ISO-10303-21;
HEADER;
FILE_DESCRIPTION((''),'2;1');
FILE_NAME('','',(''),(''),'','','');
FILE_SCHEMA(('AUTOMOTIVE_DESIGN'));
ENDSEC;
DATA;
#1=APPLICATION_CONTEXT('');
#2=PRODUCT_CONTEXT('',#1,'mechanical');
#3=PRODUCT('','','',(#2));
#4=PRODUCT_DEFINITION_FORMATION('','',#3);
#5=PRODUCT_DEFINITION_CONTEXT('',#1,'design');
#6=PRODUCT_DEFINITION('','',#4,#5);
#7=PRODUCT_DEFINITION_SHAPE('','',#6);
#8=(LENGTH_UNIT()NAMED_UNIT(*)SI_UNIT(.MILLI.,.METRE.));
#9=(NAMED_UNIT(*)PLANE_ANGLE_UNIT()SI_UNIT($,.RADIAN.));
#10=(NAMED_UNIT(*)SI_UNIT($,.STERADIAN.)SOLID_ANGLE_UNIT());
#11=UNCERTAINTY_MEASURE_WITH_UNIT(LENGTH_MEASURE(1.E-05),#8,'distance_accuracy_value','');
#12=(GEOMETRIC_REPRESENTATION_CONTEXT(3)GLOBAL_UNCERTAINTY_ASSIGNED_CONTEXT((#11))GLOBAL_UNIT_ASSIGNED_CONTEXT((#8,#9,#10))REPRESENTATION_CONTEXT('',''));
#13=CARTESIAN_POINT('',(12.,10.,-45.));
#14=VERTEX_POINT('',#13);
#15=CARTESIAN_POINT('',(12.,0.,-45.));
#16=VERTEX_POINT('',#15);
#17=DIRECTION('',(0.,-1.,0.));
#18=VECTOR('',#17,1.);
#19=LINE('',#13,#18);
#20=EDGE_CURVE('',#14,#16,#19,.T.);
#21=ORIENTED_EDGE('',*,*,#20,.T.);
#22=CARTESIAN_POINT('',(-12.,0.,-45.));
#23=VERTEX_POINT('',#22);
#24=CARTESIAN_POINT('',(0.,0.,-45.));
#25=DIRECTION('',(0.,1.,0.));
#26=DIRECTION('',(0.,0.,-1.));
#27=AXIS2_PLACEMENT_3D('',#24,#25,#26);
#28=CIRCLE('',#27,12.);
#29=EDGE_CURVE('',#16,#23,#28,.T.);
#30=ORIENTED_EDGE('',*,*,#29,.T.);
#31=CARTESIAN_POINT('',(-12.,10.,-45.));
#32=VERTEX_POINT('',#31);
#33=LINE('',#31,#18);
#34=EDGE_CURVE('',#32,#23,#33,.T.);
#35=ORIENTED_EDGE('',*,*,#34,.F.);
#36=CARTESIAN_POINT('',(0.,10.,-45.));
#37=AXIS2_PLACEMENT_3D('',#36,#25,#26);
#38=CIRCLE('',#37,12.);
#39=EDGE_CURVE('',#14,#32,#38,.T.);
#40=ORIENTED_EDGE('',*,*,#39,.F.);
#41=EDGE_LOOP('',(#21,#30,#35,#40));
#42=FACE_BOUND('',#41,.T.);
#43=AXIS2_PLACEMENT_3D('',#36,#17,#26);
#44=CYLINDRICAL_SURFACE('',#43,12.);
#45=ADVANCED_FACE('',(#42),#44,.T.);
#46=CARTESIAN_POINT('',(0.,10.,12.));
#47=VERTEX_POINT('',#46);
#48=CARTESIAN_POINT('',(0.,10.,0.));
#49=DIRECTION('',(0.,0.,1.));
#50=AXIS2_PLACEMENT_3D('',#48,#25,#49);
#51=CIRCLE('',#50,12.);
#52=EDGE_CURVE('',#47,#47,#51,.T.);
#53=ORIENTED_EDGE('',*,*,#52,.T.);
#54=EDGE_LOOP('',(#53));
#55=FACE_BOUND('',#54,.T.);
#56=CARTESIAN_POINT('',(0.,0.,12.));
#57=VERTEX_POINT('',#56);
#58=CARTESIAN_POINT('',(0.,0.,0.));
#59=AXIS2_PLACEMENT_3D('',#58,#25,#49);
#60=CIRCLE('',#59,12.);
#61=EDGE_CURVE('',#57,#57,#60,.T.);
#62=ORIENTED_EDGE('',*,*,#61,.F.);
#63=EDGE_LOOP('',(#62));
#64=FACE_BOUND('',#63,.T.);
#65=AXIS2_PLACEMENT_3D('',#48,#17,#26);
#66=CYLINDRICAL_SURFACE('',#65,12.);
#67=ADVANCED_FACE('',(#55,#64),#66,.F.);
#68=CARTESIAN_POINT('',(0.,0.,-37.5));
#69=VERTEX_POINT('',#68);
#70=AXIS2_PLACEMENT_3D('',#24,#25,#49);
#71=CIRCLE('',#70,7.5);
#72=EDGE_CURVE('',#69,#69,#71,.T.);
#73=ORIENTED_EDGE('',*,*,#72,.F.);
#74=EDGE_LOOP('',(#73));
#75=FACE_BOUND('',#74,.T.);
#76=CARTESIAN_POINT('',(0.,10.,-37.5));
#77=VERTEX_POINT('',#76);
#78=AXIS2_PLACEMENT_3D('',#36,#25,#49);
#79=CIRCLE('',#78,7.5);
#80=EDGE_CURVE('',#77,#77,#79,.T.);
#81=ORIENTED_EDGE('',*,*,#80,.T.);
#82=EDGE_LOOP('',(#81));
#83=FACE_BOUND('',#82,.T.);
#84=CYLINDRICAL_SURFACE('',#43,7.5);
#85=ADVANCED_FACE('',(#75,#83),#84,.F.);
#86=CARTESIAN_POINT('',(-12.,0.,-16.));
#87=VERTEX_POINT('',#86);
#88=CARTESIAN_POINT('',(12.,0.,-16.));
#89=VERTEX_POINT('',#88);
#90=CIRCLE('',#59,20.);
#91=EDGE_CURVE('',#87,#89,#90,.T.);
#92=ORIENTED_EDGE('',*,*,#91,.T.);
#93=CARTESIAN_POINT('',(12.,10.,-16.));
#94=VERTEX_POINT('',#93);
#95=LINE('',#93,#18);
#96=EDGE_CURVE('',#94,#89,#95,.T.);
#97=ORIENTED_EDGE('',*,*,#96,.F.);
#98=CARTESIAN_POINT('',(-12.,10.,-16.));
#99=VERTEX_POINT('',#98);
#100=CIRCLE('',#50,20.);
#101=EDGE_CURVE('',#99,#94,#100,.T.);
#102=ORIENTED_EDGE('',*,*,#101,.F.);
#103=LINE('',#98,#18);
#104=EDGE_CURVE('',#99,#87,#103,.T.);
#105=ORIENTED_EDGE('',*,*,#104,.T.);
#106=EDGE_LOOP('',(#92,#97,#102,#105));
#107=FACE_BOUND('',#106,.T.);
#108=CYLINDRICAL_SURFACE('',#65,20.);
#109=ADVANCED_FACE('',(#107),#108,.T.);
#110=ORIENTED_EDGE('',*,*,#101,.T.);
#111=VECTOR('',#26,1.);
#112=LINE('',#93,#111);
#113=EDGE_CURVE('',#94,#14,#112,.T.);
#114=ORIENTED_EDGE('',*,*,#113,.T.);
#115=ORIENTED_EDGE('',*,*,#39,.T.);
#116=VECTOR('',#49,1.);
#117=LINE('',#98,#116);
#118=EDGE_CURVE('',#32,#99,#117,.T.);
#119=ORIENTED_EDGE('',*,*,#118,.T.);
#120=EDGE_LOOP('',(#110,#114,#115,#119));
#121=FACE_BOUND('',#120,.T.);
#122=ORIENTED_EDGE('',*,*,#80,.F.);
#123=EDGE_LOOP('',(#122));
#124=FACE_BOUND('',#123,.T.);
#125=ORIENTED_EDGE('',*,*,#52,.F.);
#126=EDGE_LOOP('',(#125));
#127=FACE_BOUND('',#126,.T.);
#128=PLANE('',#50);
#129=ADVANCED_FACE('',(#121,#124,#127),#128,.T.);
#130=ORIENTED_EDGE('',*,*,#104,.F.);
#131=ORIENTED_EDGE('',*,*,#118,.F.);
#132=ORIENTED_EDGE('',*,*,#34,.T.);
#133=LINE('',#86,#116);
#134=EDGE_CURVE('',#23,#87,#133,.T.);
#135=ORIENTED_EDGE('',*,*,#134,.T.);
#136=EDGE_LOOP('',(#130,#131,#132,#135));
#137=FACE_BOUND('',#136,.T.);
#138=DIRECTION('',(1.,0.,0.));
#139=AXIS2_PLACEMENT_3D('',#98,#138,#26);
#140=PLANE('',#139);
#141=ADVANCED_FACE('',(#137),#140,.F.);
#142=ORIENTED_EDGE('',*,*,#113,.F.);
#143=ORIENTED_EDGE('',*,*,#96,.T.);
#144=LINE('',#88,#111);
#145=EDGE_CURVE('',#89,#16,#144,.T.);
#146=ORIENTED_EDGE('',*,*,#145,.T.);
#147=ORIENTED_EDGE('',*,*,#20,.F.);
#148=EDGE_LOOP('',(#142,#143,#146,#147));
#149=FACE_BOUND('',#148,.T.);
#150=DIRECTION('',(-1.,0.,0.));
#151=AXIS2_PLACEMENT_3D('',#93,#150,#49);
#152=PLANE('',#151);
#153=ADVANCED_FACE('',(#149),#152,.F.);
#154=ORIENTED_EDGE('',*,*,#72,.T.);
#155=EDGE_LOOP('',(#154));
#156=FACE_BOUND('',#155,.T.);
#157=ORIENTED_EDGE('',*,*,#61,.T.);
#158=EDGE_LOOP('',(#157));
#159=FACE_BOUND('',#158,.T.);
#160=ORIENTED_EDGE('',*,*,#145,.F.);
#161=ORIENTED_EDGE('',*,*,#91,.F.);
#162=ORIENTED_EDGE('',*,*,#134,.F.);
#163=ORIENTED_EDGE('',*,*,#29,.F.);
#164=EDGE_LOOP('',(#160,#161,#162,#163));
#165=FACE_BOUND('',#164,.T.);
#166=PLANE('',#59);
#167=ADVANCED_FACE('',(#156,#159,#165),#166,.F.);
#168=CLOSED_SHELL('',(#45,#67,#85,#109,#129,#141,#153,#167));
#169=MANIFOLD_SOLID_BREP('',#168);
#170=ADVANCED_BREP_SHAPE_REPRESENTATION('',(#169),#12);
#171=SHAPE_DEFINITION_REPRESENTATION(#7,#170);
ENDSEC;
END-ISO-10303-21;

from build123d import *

# Parameters (mm, degrees)
SKETCH1_R           = 12
SKETCH1_R_2         = 7.5
BOSS_EXTRUDE1_DEPTH = 10


with BuildPart() as part:
    # Sketch1 → Boss-Extrude1 (new body)
    with BuildSketch(Plane(origin=(0, 0, 0), x_dir=(1, 0, 0), z_dir=(0, 1, 0))):
        with BuildLine():
            Line((-12, 16), (-12, 45))
            ThreePointArc((-12, 45), (0, 57), (12, 45))
            Line((12, 45), (12, 16))
            ThreePointArc((12, 16), (0, -20), (-12, 16))
        make_face()
        with Locations(Location((0, 0, 0), (0, 0, 270))):
            Circle(SKETCH1_R, mode=Mode.SUBTRACT)
        with Locations(Location((0, 45, 0), (0, 0, 270))):
            Circle(SKETCH1_R_2, mode=Mode.SUBTRACT)
    extrude(amount=BOSS_EXTRUDE1_DEPTH)


solid = part.part
